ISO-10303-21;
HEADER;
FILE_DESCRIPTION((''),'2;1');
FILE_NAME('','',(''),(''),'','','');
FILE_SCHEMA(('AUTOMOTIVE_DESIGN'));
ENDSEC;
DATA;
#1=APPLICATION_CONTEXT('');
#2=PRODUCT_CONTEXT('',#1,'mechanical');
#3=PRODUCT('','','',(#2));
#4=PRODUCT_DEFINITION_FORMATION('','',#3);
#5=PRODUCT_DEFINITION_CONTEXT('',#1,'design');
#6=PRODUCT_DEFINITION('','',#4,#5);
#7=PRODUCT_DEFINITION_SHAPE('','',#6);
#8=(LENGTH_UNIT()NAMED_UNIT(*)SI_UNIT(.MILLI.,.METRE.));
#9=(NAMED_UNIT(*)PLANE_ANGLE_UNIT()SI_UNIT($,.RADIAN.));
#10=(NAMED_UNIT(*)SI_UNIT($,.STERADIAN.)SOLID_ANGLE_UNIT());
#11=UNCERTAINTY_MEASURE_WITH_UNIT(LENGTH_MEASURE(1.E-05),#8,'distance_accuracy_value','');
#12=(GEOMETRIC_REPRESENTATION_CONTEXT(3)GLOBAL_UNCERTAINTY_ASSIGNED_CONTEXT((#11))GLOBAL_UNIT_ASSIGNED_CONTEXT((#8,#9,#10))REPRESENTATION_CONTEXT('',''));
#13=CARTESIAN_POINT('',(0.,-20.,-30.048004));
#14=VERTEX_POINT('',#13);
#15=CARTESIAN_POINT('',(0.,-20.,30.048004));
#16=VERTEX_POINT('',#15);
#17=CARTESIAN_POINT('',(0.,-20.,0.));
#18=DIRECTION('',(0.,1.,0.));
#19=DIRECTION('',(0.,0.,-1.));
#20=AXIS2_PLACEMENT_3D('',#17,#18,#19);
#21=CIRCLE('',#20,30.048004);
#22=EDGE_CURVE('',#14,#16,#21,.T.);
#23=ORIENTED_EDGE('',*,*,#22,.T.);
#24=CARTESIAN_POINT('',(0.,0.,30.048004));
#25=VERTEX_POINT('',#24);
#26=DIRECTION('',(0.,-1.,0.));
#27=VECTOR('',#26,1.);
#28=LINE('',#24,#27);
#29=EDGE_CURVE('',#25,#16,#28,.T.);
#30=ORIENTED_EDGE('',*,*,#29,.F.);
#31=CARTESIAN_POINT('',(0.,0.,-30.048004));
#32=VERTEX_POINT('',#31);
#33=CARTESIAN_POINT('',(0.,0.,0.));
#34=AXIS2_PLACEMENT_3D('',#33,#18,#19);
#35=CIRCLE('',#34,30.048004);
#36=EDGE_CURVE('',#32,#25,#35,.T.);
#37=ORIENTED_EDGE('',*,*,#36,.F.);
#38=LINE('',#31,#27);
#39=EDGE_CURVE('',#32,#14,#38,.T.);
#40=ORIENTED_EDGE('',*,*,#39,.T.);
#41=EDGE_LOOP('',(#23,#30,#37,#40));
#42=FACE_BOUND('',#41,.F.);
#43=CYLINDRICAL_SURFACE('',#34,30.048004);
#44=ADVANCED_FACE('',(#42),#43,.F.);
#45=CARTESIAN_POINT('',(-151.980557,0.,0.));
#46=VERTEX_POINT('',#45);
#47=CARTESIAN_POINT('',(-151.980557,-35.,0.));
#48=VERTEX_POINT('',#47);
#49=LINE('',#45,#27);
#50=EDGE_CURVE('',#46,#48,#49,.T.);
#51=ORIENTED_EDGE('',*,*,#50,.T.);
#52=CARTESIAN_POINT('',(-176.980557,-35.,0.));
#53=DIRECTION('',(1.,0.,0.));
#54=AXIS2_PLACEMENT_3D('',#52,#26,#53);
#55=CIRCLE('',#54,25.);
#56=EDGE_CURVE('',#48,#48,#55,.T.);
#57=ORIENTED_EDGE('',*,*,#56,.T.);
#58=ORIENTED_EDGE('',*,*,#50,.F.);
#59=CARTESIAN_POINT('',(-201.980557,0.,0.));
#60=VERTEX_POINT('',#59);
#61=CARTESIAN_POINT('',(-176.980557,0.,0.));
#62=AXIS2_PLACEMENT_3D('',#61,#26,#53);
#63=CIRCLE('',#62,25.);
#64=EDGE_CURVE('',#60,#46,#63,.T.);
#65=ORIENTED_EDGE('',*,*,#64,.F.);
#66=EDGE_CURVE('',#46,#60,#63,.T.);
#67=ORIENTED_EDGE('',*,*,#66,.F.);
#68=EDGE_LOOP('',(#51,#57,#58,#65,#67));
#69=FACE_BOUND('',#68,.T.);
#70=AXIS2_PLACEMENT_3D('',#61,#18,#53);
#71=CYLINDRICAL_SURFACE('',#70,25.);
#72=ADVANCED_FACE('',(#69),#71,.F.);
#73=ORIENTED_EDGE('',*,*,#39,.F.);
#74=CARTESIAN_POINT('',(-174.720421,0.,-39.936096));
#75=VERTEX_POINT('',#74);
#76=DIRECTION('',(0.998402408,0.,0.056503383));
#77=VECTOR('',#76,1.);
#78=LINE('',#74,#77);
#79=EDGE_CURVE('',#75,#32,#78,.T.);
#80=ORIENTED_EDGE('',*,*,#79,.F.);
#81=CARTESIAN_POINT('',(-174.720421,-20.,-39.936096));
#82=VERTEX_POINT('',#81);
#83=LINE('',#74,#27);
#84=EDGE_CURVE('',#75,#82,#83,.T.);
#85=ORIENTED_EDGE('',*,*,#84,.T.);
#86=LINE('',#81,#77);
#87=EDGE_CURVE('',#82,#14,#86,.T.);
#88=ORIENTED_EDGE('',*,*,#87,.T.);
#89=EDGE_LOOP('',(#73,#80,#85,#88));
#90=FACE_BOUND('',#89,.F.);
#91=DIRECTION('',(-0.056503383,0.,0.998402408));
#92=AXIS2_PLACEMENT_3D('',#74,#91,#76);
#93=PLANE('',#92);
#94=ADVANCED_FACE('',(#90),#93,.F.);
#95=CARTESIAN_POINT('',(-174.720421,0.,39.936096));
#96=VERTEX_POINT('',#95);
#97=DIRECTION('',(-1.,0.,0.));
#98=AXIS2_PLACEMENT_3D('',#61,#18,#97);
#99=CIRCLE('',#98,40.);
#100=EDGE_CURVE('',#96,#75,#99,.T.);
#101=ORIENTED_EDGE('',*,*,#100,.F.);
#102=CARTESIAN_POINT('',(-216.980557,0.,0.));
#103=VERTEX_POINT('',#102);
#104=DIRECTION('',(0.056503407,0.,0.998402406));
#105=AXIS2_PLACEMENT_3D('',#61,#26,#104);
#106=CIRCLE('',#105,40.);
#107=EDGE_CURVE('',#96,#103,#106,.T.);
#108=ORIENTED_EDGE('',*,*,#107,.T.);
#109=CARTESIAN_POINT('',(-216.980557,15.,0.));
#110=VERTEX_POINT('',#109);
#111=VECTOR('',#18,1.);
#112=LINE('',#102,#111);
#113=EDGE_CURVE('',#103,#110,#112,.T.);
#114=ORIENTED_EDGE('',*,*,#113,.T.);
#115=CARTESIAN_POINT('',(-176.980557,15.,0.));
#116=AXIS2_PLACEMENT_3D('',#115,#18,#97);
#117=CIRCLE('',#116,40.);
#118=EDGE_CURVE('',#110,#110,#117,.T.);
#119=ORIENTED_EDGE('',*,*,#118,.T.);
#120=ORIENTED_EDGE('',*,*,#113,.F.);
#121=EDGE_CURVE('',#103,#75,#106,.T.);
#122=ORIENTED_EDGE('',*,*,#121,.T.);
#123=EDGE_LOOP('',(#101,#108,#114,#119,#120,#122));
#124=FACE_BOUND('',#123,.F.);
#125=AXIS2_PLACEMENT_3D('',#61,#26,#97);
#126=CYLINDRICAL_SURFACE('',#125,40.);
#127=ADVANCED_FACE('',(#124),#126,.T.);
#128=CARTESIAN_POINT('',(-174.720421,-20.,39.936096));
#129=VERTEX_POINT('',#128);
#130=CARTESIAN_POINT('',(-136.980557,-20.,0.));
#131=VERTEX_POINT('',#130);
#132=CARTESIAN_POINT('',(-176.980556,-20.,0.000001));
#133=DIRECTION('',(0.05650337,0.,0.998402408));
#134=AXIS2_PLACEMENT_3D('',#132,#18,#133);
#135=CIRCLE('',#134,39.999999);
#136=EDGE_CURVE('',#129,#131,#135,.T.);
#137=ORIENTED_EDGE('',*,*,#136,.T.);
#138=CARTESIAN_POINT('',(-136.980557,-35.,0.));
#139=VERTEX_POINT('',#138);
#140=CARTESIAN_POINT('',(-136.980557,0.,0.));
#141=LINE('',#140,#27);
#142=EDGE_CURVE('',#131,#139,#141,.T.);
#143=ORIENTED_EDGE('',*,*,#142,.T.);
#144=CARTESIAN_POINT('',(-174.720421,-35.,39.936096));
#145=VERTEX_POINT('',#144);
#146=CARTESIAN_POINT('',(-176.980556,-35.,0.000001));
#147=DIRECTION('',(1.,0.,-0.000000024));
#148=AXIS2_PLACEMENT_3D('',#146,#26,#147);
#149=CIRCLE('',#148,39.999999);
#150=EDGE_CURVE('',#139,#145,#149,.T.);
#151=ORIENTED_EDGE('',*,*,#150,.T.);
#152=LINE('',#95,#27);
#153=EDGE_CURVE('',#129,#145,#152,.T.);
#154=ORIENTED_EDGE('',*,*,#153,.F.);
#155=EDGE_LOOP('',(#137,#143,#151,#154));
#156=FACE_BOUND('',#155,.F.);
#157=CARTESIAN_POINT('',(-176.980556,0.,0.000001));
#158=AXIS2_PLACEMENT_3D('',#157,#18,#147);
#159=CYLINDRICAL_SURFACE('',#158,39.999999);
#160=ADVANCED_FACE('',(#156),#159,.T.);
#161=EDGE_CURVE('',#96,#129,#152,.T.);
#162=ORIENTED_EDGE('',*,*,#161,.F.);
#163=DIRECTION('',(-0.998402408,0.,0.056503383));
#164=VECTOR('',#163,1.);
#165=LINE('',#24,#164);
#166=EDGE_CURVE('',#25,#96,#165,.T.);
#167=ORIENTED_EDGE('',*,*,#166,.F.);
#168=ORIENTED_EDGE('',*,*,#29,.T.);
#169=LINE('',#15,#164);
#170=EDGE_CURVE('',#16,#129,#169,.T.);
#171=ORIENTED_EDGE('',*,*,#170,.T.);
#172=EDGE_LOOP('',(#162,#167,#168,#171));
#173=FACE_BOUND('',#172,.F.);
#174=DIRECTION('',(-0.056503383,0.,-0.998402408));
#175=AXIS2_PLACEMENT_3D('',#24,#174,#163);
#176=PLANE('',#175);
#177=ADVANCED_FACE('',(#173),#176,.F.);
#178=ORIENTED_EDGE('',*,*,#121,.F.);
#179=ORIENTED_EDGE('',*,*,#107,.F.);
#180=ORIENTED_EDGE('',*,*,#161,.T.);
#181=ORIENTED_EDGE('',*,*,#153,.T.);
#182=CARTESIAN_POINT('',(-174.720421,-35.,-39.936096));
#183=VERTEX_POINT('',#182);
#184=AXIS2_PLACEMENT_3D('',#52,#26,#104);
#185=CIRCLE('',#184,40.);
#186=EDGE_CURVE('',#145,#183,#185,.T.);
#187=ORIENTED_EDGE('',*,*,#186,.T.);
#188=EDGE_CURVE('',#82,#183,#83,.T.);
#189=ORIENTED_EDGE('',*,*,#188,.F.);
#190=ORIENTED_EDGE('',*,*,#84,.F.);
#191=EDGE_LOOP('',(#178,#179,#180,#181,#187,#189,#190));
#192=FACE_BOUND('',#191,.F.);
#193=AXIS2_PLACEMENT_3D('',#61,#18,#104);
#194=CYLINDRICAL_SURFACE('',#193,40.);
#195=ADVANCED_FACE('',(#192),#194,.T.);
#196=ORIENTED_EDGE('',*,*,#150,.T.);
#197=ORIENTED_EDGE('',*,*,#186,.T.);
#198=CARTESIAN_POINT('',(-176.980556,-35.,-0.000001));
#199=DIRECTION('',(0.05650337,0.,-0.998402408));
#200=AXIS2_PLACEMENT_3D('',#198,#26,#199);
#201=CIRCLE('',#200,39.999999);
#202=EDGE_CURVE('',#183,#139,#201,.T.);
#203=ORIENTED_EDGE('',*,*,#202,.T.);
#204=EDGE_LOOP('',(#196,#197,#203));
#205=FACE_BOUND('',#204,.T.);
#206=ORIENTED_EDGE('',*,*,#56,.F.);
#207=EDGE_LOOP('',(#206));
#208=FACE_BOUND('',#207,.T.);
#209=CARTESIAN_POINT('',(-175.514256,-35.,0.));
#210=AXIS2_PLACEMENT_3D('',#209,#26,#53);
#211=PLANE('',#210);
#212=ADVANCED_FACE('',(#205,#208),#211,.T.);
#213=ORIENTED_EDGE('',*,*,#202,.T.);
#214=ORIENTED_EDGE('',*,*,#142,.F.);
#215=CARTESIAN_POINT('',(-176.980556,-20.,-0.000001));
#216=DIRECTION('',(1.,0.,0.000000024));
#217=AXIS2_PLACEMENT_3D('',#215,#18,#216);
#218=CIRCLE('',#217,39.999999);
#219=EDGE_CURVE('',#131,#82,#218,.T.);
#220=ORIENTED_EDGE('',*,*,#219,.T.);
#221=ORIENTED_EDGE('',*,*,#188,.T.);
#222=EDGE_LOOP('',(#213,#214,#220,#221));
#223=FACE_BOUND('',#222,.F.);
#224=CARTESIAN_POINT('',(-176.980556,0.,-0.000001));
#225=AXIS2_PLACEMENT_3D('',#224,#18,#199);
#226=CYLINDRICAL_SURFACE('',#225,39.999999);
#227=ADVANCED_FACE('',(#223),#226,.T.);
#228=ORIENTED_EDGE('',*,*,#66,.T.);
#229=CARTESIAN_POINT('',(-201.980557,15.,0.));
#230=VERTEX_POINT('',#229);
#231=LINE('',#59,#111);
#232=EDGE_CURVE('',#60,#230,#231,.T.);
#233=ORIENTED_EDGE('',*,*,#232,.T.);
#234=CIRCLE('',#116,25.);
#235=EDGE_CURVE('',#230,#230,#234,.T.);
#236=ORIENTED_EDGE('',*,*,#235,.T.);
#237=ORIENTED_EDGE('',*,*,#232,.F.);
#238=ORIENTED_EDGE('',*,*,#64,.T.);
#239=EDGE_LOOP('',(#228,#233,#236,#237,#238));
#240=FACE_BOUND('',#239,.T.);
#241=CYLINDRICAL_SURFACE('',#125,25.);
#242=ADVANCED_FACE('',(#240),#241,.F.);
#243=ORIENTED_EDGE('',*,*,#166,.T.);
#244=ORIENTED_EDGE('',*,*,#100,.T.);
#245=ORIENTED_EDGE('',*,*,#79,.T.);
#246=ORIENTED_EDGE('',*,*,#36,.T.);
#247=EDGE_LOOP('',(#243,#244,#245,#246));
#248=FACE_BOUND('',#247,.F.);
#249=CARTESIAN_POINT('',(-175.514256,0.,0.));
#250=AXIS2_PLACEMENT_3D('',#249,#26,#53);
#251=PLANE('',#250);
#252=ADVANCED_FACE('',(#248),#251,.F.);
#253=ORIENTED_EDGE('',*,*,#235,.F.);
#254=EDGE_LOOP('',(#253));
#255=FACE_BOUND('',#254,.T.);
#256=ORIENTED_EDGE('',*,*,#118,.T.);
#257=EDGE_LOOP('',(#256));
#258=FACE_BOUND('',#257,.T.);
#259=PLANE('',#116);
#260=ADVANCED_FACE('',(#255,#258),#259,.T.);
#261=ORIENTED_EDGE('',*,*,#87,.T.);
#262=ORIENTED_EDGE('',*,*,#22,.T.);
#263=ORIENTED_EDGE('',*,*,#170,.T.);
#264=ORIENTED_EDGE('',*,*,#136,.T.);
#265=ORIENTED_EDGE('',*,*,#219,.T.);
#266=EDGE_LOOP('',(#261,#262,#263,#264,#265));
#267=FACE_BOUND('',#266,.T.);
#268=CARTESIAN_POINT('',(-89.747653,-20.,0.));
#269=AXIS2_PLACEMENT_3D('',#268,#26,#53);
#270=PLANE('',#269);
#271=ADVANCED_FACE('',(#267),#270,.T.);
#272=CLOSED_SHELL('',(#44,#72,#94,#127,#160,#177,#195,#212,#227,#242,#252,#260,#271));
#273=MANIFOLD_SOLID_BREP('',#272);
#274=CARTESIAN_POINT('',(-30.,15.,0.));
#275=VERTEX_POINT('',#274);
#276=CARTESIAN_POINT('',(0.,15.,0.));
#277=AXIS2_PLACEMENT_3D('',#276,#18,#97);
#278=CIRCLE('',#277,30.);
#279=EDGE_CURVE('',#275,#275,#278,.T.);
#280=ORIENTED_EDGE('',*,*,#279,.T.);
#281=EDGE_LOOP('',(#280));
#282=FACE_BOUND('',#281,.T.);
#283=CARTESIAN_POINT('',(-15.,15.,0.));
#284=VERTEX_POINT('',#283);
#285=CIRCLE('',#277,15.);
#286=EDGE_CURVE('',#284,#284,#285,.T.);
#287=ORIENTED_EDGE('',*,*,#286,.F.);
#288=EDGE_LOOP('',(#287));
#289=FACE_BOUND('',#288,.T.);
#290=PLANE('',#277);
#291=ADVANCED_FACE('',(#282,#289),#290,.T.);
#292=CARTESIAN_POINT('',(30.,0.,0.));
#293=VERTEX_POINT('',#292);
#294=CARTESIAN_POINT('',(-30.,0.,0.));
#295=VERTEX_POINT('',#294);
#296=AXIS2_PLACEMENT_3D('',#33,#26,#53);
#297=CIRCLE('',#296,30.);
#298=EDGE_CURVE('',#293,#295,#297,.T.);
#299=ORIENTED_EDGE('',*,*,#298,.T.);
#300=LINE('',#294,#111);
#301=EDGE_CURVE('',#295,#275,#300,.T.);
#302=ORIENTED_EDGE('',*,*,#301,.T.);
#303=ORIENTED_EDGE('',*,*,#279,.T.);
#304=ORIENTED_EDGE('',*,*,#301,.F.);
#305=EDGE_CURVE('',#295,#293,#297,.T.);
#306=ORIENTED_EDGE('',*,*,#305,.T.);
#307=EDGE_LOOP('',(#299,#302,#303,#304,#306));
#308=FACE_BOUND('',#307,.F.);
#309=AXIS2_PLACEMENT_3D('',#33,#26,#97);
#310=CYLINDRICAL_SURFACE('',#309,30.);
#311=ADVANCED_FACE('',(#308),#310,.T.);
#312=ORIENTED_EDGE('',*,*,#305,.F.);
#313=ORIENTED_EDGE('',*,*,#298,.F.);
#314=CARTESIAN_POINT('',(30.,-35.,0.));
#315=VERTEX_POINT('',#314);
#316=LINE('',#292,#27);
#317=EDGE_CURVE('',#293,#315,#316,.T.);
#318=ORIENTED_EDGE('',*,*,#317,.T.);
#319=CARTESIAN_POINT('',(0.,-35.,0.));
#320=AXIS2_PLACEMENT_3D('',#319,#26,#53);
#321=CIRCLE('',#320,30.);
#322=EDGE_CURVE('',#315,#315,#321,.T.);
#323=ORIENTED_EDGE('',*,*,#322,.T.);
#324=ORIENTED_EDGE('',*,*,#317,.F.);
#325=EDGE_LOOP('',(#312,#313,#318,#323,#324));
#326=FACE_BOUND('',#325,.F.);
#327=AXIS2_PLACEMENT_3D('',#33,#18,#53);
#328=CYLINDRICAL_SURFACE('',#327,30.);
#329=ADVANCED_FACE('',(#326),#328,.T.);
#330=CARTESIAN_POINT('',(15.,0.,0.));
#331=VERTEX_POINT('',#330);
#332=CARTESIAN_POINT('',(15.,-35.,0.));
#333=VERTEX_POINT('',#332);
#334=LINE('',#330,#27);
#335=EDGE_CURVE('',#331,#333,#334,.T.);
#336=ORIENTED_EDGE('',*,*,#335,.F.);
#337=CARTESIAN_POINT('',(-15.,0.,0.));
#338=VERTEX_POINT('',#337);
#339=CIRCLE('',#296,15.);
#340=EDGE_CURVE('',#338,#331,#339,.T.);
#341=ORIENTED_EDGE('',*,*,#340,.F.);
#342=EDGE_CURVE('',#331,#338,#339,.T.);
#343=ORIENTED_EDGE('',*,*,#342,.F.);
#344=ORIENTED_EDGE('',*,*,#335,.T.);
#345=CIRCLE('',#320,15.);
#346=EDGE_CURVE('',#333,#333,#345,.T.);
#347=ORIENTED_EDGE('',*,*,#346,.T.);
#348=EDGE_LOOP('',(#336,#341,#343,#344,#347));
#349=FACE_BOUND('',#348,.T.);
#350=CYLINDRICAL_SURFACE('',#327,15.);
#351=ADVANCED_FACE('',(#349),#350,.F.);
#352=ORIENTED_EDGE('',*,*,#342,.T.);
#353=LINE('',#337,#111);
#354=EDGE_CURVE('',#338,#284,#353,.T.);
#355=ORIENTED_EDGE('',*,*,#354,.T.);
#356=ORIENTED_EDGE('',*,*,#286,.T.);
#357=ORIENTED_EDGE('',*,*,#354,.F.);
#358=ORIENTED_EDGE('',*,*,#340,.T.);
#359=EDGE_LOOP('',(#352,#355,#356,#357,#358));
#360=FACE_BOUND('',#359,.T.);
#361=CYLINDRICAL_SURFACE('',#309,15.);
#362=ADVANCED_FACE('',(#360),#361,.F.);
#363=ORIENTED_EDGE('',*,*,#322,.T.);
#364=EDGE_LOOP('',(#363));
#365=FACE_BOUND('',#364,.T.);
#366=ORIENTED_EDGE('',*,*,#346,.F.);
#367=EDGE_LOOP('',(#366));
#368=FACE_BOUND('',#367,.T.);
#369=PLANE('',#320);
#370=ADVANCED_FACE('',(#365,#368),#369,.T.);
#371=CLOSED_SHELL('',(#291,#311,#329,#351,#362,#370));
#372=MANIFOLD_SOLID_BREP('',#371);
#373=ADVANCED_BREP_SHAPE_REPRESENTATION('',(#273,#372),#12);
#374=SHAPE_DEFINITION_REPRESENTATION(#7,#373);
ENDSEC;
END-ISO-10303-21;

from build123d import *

# Parameters (mm, degrees)
F1_DEPTH = 20
F0_R     = 25
F0_R_2   = 30
F0_R_3   = 15
F2_DEPTH = 35
F3_R     = 30
F3_R_2   = 15
F4_DEPTH = 15
F5_R     = 40
F5_R_2   = 25
F6_DEPTH = 15


with BuildPart() as f1:
    # F0 (on Front) → F1 (new body)
    with BuildSketch(Plane.XZ):
        with BuildLine():
            ThreePointArc((-174.720421, 39.936096), (-147.908186, 27.473574), (-136.980557, 0))
            ThreePointArc((-136.980557, 0), (-147.908186, -27.473574), (-174.720421, -39.936096))
            Line((-174.720421, -39.936096), (0, -30.048004))
            ThreePointArc((0, -30.048004), (-30.048004, 0), (0, 30.048004))
            Line((0, 30.048004), (-174.720421, 39.936096))
        make_face()
    extrude(amount=F1_DEPTH)

    # F0 (on Front) → F2 (join)
    with BuildSketch(Plane.XZ):
        with BuildLine():
            ThreePointArc((-174.720421, -39.936096), (-147.908186, -27.473574), (-136.980557, 0))
            ThreePointArc((-136.980557, 0), (-147.908186, 27.473574), (-174.720421, 39.936096))
            ThreePointArc((-174.720421, 39.936096), (-216.980557, 0), (-174.720421, -39.936096))
        make_face()
        with Locations((-176.980557, 0)):
            Circle(F0_R, mode=Mode.SUBTRACT)
        Circle(F0_R_2)
        Circle(F0_R_3, mode=Mode.SUBTRACT)
    extrude(amount=F2_DEPTH)

    # F3 (on face) → F4 (join)
    with BuildSketch(Plane(origin=(0, 0, 0), x_dir=(-1, 0, 0), z_dir=(0, 1, 0))):
        Circle(F3_R)
        Circle(F3_R_2, mode=Mode.SUBTRACT)
    extrude(amount=F4_DEPTH)

    # F5 (on face) → F6 (join)
    with BuildSketch(Plane(origin=(0, 0, 0), x_dir=(-1, 0, 0), z_dir=(0, 1, 0))):
        with Locations((176.980557, 0)):
            Circle(F5_R)
        with Locations((176.980557, 0)):
            Circle(F5_R_2, mode=Mode.SUBTRACT)
    extrude(amount=F6_DEPTH)


solid = f1.part
